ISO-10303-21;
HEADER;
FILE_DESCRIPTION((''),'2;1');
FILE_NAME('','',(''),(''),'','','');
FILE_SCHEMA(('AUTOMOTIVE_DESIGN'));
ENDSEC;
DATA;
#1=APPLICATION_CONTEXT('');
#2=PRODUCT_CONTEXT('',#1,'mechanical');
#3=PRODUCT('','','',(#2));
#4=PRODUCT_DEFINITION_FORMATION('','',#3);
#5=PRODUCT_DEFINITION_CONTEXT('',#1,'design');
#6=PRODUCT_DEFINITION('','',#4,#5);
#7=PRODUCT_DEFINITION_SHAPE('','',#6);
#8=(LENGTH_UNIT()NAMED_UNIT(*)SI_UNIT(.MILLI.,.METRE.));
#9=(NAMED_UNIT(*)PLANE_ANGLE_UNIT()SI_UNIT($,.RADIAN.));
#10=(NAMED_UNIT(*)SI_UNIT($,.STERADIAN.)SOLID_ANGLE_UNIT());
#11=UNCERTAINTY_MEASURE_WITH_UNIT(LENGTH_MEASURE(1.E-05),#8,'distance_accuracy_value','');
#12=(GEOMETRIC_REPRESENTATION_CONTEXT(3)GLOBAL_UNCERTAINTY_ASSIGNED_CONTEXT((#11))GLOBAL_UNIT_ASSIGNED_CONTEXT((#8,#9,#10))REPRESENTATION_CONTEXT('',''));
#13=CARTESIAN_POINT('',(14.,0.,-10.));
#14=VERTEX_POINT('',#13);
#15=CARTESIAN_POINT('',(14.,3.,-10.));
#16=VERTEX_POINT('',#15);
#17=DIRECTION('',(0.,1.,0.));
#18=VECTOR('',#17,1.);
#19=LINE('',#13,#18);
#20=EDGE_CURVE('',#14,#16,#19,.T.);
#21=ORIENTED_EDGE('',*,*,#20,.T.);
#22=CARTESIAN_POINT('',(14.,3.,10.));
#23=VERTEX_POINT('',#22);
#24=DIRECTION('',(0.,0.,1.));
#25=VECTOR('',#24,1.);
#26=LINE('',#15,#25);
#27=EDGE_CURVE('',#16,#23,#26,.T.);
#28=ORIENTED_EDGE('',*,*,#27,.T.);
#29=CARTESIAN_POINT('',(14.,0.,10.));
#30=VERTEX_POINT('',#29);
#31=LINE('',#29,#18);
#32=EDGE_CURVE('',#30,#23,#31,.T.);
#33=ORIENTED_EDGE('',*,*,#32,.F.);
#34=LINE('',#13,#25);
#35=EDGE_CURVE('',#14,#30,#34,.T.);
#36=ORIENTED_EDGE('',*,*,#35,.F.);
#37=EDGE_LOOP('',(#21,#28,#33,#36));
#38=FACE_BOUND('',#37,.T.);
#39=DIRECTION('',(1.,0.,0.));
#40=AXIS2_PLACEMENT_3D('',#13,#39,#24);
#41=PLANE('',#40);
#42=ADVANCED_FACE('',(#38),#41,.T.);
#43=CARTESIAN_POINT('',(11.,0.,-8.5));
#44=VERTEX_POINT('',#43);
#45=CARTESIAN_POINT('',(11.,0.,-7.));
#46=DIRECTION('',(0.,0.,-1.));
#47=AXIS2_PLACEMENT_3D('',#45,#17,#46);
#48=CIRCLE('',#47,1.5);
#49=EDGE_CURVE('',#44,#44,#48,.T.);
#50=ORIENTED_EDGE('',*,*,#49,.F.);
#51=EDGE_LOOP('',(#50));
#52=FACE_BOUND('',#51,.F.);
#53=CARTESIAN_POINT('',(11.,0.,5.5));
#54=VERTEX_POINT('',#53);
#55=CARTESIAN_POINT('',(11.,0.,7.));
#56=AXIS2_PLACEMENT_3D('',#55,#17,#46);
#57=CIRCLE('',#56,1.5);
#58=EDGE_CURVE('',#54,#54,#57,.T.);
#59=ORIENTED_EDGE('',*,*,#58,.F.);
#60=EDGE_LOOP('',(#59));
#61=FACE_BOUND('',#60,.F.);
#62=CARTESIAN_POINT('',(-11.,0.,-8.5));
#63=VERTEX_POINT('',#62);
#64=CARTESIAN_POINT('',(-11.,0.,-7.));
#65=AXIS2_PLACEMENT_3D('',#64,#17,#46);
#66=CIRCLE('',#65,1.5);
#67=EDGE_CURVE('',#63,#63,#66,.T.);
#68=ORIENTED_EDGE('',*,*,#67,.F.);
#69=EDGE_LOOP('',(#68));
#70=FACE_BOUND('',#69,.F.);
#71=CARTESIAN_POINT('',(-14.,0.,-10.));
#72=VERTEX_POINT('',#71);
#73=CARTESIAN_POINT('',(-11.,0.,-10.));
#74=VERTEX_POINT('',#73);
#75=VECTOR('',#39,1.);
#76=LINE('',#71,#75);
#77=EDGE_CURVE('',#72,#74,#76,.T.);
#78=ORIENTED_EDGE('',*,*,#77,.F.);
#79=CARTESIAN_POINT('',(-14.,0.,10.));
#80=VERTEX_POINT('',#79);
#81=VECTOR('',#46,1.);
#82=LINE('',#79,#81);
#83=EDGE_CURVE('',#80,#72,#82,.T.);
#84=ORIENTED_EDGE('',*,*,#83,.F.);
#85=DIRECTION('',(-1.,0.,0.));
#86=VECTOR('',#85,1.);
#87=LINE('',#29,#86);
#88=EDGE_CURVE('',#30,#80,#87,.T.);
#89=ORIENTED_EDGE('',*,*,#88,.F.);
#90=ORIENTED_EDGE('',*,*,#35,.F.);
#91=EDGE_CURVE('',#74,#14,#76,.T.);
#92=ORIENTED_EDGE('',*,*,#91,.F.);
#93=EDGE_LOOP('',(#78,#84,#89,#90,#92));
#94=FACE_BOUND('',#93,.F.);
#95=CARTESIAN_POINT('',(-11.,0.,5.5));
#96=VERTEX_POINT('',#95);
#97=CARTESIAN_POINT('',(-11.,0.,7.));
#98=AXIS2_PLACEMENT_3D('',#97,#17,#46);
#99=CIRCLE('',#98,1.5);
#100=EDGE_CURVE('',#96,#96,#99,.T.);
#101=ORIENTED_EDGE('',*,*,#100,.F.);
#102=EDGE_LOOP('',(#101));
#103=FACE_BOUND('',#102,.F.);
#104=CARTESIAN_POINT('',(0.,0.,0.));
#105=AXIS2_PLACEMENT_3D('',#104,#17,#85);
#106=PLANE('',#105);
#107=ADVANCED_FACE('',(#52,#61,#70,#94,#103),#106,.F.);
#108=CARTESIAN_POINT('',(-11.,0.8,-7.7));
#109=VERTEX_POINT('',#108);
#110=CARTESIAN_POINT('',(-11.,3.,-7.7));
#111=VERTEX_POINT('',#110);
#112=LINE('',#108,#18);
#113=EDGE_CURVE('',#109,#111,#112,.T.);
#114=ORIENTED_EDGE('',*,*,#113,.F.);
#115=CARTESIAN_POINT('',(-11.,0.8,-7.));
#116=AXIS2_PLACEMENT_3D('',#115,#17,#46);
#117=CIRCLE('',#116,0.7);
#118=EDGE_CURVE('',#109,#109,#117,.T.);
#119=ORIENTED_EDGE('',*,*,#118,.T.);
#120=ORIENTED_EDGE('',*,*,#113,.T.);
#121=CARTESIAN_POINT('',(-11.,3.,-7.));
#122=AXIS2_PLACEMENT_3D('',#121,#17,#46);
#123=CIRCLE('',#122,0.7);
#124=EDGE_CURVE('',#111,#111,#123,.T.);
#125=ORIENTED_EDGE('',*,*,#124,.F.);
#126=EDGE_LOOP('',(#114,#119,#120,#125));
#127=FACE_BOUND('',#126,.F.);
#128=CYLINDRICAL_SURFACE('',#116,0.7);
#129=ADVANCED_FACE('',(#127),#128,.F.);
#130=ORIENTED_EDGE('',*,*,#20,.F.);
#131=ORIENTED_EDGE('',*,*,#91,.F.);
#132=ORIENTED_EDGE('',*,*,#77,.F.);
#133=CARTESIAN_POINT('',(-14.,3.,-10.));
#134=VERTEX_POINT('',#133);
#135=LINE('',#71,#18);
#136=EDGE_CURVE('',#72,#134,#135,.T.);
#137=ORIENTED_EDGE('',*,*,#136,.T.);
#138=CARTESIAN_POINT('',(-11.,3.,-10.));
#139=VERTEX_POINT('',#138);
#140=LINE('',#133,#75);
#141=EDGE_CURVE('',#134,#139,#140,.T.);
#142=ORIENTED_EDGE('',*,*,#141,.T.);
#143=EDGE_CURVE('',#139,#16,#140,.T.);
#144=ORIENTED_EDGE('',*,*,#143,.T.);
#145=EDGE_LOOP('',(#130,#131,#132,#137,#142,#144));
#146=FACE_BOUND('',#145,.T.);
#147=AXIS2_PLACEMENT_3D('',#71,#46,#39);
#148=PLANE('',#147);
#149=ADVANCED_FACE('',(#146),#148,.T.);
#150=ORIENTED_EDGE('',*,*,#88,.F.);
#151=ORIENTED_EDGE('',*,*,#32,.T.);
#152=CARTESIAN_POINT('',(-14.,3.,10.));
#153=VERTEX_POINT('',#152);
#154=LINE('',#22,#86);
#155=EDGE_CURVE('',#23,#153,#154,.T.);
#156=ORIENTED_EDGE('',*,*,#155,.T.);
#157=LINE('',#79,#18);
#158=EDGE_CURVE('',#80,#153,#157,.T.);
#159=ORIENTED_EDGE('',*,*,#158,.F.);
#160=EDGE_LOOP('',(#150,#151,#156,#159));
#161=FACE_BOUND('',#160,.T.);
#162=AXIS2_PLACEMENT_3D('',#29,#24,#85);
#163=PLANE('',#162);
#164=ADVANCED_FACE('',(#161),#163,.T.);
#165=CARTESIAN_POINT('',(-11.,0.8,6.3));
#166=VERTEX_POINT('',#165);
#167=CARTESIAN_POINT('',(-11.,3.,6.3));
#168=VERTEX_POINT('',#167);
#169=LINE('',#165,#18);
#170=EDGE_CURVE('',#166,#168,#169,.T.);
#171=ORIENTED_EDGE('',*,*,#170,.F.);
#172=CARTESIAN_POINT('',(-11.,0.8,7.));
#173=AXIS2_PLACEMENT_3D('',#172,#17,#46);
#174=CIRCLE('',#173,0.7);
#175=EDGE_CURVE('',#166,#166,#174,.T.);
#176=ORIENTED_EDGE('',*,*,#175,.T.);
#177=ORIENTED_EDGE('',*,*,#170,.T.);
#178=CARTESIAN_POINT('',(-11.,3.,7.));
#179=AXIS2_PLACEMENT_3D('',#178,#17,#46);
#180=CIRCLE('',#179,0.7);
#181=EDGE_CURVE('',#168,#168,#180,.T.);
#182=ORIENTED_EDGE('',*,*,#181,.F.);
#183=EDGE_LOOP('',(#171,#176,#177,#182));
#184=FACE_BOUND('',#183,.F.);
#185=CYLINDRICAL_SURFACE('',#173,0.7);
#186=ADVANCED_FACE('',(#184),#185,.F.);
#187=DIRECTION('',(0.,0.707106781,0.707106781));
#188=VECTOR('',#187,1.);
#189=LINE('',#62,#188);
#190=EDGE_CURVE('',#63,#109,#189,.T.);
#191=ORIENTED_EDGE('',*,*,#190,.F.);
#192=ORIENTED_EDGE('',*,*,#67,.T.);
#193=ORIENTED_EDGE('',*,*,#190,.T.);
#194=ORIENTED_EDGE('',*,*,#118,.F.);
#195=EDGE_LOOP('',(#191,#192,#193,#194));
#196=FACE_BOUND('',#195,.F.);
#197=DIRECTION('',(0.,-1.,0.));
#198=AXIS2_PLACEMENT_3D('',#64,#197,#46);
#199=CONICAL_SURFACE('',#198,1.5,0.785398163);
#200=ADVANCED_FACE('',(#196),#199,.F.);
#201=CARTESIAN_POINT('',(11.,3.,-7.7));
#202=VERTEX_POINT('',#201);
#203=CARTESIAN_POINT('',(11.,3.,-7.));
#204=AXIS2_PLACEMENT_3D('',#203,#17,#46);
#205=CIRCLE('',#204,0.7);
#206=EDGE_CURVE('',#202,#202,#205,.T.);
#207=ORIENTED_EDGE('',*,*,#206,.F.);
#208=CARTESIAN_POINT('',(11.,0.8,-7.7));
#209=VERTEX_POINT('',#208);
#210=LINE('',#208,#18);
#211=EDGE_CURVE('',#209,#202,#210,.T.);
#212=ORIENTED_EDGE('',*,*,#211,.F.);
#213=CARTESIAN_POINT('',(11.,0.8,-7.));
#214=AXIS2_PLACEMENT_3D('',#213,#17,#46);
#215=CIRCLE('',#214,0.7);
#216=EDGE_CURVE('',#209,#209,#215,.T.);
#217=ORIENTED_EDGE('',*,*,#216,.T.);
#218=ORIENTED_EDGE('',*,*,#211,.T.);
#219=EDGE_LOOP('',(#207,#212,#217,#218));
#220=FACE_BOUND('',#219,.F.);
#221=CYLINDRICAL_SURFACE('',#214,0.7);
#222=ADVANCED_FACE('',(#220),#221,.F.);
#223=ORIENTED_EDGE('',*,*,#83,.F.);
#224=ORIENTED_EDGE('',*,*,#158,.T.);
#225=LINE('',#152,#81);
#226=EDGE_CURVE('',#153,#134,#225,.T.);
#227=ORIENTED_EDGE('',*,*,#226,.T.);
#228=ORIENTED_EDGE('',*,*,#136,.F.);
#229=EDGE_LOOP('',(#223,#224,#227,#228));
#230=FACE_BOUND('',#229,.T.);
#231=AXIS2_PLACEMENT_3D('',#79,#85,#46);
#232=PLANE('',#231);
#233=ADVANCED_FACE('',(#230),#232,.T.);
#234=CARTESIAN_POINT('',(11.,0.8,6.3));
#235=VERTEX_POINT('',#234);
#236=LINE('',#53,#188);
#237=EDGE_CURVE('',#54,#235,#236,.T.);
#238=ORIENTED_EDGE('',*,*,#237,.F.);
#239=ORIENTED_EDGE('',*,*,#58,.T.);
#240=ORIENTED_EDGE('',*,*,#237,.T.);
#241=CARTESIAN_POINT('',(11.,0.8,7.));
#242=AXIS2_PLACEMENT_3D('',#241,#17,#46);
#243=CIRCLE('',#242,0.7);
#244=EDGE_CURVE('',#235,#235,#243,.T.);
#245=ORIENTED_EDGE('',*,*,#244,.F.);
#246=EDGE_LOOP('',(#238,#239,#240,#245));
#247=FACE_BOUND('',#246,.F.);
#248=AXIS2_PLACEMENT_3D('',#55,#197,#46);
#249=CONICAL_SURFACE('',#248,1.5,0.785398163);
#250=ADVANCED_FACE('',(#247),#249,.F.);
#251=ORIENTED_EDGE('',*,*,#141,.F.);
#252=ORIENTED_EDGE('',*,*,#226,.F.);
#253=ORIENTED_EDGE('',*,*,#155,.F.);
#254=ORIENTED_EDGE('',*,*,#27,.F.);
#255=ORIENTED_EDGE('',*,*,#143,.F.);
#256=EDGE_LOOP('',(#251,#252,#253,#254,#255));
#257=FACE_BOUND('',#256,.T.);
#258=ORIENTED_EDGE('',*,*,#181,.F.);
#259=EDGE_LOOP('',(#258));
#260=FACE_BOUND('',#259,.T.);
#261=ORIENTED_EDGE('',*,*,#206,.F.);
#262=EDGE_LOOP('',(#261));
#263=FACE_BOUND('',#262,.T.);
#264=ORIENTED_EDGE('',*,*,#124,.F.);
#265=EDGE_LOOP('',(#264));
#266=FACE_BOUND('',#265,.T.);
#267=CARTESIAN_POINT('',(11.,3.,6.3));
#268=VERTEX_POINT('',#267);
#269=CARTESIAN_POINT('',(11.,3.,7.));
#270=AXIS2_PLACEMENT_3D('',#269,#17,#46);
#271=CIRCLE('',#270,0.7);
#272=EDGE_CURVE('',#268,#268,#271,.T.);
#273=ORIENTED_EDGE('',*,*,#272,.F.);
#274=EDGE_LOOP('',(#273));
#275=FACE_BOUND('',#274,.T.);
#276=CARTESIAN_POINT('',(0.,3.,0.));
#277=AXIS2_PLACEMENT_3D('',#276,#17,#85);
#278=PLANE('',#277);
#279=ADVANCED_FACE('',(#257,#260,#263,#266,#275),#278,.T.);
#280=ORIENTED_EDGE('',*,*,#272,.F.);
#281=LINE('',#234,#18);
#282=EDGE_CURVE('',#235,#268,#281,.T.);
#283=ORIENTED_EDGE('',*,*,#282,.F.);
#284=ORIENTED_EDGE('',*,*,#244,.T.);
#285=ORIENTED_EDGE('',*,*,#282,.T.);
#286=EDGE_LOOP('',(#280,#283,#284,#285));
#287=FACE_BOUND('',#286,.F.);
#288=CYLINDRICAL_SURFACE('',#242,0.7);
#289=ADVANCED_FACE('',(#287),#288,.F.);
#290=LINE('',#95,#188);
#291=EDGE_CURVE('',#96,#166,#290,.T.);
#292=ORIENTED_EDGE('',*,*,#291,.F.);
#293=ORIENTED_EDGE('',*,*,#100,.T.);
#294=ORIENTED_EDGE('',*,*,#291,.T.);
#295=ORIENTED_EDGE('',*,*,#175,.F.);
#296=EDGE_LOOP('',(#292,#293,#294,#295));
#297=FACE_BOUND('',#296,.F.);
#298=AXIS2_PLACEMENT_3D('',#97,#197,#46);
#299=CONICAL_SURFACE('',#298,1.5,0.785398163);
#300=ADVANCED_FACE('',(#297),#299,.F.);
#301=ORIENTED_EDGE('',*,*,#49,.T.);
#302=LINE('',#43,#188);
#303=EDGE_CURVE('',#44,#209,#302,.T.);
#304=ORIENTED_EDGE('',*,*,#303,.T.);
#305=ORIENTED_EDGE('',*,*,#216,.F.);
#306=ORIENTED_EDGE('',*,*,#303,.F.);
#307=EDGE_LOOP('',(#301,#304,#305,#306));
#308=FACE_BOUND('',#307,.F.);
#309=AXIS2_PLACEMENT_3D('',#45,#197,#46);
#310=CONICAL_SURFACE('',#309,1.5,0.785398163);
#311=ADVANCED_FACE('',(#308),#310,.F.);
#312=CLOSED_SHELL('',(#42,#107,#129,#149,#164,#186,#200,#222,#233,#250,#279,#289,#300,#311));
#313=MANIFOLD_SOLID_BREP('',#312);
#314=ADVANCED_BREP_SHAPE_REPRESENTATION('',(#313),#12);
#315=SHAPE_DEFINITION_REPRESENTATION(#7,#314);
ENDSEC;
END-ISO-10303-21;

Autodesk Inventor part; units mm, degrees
ref_plane "YZ Plane" through (0, 0, 0) normal (1, 0, 0) x (0, 1, 0)
ref_plane "XZ Plane" through (0, 0, 0) normal (0, 1, 0) x (-1, 0, 0)
ref_plane "XY Plane" through (0, 0, 0) normal (0, 0, 1) x (1, 0, 0)
sketch "Sketch1" plane through (0, 0, 0) normal (0, 1, 0) x (-1, 0, 0)
  line L0 (14, -10) -> (-14, -10)
  line L1 (-14, -10) -> (-14, 10)
  line L2 (-14, 10) -> (14, 10)
  line L3 (14, 10) -> (14, -10)
  line L4 (14, -10) -> (-14, 10) construction
  line L5 (-14, -10) -> (14, 10) construction
  line L6 (14, -10) -> (11, -10)
  line L7 (11, -10) -> (11, -7)
  line L8 (11, -7) -> (-11, -7)
  line L9 (-11, -7) -> (-11, 7)
  line L10 (-11, 7) -> (11, 7)
  line L11 (11, 7) -> (11, -7)
  point P0 (0, 0)
  dimension "d0" = 28
  dimension "d1" = 20
  dimension "d2" = 3
  dimension "d3" = 3
  dimension "d4" = 22
  dimension "d5" = 14
extrude "Extrusion1" add sketch "Sketch1" along normal blind 3 contours L8 L9 L10 L11 | L0 L1 L2 L3
hole "Hole1" at (-11, 0, -7) at (11, 0, -7) at (11, 0, 7) at (-11, 0, 7) direction (0, 1, 0) diameter 1.4 depth 3 tip angle 118 countersink diameter 3 countersink angle 90
properties part number "ZYLINDERKOPF PART 5" material "Steel ASTM A36"
